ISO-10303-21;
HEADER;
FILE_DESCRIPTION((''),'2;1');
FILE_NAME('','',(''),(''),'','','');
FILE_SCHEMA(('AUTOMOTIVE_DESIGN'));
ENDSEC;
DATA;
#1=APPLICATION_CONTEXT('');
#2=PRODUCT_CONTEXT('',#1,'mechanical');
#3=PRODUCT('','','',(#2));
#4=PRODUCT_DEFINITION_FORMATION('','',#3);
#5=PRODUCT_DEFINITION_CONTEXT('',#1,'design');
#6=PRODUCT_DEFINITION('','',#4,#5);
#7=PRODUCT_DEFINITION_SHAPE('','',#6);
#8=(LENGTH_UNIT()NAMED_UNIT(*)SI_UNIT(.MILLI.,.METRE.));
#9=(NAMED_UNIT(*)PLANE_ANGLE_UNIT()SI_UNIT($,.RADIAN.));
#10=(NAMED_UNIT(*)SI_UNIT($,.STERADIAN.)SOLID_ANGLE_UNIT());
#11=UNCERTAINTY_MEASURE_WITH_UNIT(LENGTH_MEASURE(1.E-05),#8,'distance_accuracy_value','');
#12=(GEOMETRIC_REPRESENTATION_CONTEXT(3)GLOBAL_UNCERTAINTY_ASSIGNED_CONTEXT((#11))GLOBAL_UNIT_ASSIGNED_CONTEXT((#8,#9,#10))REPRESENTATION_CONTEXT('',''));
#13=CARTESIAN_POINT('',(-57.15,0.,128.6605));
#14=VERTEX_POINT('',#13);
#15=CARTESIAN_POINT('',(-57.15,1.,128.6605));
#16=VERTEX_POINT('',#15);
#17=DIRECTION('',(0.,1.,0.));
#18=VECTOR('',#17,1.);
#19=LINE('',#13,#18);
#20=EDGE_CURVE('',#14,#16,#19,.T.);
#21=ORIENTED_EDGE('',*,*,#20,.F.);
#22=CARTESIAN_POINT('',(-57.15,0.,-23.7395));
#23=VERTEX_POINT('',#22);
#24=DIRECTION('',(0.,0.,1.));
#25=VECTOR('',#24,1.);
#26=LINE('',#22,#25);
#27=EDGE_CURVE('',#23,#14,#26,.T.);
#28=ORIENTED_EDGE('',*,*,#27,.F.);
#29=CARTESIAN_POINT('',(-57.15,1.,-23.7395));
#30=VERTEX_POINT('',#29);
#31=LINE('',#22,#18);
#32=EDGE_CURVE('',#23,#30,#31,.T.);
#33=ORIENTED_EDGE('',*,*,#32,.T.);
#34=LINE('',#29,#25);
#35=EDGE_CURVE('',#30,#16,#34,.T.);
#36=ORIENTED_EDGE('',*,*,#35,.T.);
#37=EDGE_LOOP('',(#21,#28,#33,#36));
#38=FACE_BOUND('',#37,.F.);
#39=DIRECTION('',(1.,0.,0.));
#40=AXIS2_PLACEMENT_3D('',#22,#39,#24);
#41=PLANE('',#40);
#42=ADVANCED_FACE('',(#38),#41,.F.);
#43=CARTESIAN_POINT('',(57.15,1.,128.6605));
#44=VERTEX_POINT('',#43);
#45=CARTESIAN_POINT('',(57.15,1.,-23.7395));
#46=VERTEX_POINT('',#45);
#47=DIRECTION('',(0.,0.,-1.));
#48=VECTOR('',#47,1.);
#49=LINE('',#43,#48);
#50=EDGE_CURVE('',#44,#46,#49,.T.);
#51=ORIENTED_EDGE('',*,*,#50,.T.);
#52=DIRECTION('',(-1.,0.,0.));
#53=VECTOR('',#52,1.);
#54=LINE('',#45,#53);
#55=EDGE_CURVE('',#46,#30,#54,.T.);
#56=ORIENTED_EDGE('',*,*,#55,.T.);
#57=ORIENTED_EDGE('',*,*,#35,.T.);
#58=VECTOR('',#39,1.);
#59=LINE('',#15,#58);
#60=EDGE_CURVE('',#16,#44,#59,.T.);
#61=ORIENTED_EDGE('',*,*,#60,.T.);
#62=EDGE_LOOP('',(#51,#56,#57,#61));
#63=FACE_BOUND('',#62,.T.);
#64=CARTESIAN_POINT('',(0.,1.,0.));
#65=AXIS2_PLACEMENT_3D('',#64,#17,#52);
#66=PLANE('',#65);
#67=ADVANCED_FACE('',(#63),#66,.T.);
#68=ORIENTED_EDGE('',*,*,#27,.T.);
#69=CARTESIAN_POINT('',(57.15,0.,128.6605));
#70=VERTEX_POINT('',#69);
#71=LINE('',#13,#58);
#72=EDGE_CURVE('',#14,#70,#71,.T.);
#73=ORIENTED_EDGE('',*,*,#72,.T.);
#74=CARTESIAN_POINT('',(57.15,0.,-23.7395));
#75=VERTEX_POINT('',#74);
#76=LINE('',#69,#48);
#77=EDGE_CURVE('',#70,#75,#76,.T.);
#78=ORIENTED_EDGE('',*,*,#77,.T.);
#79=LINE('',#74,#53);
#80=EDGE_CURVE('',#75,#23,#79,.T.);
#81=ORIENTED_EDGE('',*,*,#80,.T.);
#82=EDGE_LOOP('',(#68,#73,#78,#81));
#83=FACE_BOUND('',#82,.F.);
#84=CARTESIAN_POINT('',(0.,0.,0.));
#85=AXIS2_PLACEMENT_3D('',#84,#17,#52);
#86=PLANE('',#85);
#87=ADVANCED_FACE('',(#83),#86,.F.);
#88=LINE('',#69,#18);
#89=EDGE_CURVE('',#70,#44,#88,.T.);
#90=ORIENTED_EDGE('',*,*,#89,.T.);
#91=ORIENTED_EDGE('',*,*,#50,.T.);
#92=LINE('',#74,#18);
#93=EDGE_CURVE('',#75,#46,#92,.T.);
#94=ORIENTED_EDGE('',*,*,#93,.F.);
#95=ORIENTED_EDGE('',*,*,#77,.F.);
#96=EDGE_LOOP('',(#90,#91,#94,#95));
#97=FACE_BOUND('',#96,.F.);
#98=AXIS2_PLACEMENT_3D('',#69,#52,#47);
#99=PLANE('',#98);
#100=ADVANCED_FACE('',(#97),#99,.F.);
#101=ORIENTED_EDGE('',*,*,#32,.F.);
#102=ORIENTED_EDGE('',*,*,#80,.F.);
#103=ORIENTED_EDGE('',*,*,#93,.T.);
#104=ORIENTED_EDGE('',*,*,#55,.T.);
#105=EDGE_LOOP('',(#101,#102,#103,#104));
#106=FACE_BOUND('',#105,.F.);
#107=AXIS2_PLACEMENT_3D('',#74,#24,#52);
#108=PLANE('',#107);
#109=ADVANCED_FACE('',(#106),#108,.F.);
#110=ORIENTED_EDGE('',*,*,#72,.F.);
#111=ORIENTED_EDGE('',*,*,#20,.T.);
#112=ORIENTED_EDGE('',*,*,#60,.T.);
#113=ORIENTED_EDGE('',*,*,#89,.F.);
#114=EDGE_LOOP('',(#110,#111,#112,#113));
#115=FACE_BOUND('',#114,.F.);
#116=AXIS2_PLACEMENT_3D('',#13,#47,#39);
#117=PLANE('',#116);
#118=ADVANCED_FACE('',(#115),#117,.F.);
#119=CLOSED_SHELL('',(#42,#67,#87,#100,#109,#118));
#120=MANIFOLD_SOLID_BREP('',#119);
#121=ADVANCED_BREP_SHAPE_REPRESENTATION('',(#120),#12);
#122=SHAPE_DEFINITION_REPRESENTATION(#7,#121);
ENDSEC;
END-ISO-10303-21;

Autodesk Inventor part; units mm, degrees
ref_plane "YZ Plane" through (0, 0, 0) normal (1, 0, 0) x (0, 1, 0)
ref_plane "XZ Plane" through (0, 0, 0) normal (0, 1, 0) x (-1, 0, 0)
ref_plane "XY Plane" through (0, 0, 0) normal (0, 0, 1) x (1, 0, 0)
sketch "Sketch1" plane through (0, 0, 0) normal (0, 1, 0) x (-1, 0, 0)
  line L0 (57.15, 128.6605) -> (-57.15, 128.6605)
  line L1 (-57.15, 128.6605) -> (-57.15, -23.7395)
  line L2 (-57.15, -23.7395) -> (57.15, -23.7395)
  line L3 (57.15, -23.7395) -> (57.15, 128.6605)
  line L4 (57.15, 128.6605) -> (-57.15, -23.7395) construction
  line L5 (-57.15, 128.6605) -> (57.15, -23.7395) construction
  point P0 (0, 52.4605)
  dimension "d7" = 114.3
  dimension "d8" = 152.4
extrude "Extrusion1" add sketch "Sketch1" along normal blind 1
properties part number "thermal pad"
